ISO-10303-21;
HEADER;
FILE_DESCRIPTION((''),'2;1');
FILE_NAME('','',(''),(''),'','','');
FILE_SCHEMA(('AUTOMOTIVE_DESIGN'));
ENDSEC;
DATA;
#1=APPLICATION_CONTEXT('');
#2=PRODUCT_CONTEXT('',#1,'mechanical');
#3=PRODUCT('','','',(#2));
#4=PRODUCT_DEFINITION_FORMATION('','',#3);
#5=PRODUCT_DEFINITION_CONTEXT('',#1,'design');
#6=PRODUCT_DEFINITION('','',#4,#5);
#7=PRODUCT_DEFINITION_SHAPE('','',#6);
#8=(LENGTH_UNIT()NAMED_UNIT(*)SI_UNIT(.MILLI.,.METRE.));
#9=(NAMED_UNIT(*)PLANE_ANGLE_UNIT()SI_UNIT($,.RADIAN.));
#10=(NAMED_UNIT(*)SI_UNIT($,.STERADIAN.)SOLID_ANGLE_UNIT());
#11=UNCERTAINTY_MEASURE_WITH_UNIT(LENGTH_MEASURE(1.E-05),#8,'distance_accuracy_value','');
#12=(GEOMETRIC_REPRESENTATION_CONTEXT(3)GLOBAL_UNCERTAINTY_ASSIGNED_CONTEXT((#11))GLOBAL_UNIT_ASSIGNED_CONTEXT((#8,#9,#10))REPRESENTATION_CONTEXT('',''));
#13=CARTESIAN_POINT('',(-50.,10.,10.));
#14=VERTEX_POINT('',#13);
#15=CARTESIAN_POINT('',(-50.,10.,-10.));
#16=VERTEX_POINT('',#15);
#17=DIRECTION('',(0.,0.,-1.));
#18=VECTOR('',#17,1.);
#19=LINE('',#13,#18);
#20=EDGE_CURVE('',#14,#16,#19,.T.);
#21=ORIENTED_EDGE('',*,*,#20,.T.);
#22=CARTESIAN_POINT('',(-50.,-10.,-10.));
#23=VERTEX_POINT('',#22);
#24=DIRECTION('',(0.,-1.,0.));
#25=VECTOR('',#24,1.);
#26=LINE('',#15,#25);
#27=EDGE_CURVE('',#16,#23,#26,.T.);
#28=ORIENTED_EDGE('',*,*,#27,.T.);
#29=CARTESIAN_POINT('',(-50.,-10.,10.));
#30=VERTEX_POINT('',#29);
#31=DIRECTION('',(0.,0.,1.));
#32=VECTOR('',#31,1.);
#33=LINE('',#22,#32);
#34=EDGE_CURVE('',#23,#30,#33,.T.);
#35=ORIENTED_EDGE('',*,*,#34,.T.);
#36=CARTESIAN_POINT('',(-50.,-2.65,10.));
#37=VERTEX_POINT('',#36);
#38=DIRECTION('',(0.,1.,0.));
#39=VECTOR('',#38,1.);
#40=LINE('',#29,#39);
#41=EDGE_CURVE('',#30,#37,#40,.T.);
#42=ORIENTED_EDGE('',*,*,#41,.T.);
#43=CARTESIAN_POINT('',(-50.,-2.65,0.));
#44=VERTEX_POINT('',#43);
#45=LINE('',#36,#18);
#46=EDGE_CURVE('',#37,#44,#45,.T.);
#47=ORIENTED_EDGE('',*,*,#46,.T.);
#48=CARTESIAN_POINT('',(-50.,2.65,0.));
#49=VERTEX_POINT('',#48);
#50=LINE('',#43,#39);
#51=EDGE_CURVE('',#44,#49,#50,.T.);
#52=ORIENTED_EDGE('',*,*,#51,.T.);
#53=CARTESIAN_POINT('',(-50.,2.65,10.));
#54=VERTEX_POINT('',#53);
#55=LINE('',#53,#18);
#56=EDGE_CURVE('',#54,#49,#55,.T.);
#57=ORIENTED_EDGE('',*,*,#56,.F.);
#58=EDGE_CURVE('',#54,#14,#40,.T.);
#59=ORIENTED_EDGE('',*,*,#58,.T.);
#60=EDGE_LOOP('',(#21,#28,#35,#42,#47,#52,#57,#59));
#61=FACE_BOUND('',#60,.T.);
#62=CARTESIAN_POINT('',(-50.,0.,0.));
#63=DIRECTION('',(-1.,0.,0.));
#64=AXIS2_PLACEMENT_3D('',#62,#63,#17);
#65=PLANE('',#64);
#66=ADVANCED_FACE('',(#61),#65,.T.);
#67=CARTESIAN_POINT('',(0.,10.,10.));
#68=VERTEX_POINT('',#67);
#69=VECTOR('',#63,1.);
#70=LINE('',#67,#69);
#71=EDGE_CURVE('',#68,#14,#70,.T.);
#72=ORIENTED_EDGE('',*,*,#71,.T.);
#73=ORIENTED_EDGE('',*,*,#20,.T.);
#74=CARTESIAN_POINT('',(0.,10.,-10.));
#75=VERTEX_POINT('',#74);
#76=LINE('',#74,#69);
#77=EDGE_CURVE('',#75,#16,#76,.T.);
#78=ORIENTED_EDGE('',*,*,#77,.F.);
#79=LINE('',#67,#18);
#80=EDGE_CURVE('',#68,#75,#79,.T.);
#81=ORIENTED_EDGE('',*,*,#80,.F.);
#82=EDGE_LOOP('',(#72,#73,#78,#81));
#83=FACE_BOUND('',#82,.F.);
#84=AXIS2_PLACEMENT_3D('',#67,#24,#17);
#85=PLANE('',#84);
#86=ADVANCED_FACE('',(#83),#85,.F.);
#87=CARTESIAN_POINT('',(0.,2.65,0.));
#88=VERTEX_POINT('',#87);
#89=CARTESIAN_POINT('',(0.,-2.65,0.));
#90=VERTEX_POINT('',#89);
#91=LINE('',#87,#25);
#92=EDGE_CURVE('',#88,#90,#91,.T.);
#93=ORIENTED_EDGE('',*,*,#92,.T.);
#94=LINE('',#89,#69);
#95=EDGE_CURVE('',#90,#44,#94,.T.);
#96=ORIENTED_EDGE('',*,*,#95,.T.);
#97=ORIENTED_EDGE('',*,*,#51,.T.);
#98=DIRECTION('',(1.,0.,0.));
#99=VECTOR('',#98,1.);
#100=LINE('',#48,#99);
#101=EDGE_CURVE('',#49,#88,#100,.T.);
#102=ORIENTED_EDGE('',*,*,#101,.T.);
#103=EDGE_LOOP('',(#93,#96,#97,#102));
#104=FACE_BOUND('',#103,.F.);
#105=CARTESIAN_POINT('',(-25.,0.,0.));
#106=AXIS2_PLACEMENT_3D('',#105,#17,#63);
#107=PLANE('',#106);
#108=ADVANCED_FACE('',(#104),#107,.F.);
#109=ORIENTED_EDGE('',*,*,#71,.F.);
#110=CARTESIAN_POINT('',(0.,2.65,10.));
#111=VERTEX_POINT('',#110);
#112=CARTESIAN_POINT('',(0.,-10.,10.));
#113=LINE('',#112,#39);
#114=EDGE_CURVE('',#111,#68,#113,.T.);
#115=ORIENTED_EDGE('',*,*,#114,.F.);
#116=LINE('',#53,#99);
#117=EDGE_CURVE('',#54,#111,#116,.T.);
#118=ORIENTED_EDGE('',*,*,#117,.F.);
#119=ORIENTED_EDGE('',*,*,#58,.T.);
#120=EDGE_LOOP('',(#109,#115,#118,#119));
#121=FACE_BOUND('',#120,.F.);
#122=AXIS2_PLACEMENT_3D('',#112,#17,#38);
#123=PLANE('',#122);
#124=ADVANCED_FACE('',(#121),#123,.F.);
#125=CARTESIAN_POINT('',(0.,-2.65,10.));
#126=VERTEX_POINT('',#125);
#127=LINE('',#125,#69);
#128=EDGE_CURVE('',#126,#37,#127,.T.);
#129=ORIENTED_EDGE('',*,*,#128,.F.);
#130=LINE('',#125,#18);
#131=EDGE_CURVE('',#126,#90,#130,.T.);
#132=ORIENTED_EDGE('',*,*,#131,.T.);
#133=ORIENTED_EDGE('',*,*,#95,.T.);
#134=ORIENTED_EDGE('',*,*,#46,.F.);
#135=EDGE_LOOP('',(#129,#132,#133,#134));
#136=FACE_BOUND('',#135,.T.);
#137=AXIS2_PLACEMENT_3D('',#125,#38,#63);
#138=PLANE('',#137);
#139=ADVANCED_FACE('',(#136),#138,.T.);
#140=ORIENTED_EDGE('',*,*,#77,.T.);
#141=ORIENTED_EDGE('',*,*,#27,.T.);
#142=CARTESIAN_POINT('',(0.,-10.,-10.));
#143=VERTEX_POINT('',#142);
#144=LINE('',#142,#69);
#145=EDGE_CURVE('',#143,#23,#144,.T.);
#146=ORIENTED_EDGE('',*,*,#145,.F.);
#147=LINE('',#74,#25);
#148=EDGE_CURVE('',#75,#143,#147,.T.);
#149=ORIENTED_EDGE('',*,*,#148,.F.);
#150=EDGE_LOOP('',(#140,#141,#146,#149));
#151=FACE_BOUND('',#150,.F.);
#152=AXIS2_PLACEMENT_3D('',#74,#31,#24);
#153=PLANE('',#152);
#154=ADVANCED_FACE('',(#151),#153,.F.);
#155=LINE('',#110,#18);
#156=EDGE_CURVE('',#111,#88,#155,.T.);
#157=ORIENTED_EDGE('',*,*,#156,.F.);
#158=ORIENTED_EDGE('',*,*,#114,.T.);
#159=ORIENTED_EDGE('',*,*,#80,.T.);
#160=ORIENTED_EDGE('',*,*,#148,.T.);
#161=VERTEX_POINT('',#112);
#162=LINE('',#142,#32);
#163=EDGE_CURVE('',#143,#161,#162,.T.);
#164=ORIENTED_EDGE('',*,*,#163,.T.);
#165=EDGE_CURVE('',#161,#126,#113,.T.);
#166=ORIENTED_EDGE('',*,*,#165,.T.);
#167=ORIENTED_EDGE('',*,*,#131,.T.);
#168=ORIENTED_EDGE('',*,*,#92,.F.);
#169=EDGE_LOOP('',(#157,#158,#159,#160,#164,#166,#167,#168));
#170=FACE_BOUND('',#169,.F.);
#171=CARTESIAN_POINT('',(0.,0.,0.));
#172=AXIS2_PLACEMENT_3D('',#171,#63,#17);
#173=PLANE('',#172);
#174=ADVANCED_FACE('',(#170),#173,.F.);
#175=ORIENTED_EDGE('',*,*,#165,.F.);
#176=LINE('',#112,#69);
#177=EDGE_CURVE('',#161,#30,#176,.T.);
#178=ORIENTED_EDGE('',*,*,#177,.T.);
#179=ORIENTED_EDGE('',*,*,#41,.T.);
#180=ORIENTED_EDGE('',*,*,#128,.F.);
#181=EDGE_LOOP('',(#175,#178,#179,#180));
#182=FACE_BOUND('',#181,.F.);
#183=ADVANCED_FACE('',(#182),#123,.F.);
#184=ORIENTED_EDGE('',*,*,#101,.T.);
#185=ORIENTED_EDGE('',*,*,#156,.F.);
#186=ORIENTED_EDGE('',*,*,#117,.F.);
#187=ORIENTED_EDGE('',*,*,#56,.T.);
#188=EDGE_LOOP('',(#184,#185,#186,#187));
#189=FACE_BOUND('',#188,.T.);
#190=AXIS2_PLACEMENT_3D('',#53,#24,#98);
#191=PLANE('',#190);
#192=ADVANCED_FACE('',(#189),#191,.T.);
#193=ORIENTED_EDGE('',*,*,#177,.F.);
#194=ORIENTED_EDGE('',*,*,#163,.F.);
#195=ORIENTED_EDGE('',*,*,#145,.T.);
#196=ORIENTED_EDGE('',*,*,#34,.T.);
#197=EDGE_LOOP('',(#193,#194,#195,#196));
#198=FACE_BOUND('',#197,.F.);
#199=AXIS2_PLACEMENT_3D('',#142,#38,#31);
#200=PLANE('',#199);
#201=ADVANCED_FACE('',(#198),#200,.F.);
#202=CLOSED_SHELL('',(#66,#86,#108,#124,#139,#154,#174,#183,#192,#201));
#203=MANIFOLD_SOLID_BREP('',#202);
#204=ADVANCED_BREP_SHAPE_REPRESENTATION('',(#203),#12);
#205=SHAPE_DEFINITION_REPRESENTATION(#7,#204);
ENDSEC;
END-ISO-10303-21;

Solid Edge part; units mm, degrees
sketch "Sketch1" plane through (0, 0, 0) normal (1, 0, 0) x (0, 1, 0)
  line L0 (-10, 10) -> (10, 10)
  line L1 (10, 10) -> (10, -10)
  line L2 (10, -10) -> (-10, -10)
  line L3 (-10, -10) -> (-10, 10)
extrude "Protrusion1" add sketch "Sketch1" against normal blind 50
sketch "Sketch2" plane through (-25, 0, 10) normal (0, 0, 1) x (1, 0, 0)
  line L0 (25, -2.65) -> (-25, -2.65)
  line L1 (-25, -2.65) -> (-25, 2.65)
  line L2 (-25, 2.65) -> (25, 2.65)
  line L3 (25, 2.65) -> (25, -2.65)
extrude "Cutout1" cut sketch "Sketch2" against normal blind 10
